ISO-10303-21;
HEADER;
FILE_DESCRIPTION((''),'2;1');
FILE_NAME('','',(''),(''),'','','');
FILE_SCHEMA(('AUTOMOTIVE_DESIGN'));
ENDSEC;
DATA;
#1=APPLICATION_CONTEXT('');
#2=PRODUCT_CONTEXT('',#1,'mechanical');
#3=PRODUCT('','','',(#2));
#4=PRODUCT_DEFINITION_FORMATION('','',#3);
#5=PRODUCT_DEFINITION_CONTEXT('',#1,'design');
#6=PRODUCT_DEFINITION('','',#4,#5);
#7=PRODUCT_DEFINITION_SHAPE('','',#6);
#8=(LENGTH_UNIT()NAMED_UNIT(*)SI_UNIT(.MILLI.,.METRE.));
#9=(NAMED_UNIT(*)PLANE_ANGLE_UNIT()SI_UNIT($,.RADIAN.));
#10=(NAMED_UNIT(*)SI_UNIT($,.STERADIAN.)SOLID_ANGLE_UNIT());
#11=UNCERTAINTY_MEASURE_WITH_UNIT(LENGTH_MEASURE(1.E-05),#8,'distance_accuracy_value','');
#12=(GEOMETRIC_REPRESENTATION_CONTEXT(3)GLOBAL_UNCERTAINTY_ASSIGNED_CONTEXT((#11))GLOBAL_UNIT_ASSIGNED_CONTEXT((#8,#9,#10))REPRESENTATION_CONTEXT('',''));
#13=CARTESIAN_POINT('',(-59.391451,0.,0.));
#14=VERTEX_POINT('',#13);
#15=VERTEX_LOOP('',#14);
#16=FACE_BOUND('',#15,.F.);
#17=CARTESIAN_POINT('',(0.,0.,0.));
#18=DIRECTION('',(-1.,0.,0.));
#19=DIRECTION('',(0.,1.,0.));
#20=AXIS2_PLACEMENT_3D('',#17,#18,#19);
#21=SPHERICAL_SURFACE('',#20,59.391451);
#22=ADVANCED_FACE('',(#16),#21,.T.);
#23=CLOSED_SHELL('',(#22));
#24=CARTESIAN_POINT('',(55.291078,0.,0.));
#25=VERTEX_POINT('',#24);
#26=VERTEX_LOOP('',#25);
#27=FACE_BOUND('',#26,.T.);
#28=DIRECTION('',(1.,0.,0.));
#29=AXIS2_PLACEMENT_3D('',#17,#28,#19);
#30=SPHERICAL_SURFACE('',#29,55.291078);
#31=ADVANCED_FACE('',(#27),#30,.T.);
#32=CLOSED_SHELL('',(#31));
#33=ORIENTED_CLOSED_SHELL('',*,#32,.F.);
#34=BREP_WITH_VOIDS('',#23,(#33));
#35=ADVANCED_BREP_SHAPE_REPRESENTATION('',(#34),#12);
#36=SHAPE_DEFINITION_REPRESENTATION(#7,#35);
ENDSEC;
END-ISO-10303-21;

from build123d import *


with BuildPart() as f2:
    # F0 (on Top) → F2 (revolve)
    with BuildSketch(Plane.XY):
        with BuildLine():
            ThreePointArc((-55.291078, 0), (0, 55.291078), (55.291078, 0))
            Line((55.291078, 0), (59.391451, 0))
            ThreePointArc((59.391451, 0), (0, 59.391451), (-59.391451, 0))
            Line((-59.391451, 0), (-55.291078, 0))
        make_face()
    revolve(axis=Axis((34.508616, 0, 0), (1, 0, 0)))


solid = f2.part
